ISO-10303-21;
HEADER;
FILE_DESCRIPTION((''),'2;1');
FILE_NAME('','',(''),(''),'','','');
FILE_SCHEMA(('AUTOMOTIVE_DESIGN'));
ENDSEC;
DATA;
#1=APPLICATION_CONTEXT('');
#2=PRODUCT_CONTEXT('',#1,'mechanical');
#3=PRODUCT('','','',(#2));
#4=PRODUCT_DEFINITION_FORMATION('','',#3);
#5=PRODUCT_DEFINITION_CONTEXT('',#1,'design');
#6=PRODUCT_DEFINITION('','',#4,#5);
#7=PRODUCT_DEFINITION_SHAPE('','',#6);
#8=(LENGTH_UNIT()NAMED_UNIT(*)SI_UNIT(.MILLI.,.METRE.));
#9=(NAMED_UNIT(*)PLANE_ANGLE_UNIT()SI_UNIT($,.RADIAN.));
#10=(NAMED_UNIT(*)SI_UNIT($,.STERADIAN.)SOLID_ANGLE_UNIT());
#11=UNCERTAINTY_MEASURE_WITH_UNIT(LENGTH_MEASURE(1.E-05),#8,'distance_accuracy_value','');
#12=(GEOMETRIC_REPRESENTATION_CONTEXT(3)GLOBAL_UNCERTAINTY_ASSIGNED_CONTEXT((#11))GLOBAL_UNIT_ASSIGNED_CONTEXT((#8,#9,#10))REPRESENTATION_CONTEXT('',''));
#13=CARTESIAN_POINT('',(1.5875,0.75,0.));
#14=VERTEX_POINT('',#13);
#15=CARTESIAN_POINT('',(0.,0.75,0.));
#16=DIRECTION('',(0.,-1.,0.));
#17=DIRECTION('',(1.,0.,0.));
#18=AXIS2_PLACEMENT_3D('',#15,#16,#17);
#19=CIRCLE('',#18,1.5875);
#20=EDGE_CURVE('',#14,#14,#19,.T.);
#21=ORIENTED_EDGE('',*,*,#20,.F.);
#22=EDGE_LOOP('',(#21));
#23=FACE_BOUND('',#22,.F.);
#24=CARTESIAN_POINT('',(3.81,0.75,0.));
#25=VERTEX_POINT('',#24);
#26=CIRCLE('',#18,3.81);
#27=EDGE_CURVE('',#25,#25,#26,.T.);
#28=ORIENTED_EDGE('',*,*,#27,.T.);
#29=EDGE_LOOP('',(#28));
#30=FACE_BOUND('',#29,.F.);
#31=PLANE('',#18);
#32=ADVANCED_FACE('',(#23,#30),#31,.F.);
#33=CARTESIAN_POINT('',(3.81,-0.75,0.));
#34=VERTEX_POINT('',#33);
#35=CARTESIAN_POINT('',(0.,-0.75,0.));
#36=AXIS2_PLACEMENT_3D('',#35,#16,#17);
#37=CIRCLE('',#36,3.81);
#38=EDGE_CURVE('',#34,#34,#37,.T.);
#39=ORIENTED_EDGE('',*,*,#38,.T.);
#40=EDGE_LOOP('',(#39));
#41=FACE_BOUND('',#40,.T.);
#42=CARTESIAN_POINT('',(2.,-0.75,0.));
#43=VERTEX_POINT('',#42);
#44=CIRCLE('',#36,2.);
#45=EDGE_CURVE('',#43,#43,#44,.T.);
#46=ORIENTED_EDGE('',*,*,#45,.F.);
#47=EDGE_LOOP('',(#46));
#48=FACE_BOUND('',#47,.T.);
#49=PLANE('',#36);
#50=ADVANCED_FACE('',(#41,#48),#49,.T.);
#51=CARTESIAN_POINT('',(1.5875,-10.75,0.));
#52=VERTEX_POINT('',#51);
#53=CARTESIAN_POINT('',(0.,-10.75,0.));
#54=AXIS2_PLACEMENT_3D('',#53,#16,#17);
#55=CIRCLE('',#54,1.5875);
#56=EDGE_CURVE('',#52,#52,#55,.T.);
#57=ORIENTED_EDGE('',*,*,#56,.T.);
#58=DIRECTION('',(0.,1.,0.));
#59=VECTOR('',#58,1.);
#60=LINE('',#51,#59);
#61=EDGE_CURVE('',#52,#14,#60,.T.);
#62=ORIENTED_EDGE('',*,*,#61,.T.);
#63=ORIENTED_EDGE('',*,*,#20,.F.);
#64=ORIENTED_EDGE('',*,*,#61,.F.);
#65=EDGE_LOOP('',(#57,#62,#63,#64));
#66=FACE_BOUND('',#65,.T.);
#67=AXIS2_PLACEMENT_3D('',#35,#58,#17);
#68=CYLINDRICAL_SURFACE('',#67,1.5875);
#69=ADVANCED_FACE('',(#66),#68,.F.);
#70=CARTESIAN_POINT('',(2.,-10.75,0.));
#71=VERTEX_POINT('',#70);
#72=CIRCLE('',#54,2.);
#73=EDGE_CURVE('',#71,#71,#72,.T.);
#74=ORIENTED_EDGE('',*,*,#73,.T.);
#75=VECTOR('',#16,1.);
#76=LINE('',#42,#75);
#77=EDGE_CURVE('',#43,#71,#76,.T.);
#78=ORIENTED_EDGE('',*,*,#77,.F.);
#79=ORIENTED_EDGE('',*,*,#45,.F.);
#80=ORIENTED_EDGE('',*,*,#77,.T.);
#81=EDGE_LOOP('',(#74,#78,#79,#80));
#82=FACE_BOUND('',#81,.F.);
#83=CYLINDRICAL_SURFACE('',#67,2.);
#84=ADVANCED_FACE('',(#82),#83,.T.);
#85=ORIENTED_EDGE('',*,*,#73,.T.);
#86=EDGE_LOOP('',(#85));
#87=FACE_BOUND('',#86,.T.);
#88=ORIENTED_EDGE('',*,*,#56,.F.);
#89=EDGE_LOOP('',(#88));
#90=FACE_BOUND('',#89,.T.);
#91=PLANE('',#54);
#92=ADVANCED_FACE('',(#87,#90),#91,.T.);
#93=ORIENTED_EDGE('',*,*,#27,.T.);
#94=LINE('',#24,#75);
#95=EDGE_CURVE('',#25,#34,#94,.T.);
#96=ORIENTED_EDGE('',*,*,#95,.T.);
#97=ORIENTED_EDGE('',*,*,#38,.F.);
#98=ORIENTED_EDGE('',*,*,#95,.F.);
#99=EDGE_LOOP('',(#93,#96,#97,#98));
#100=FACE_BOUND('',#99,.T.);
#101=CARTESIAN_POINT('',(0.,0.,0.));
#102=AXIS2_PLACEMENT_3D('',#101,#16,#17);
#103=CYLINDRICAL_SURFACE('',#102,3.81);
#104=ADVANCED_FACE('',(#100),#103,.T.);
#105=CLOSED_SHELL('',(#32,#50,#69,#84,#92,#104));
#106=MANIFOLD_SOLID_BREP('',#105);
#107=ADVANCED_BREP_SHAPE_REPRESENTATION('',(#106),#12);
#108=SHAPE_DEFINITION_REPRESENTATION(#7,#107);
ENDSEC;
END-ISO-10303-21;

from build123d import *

# Parameters (mm, degrees)
F0_R     = 3.81
F0_R_2   = 1.5875
F1_DEPTH = 0.75
F2_R     = 2
F2_R_2   = 1.5875
F3_DEPTH = 10


with BuildPart() as f1:
    # F0 (on Front) → F1 (new body, symmetric)
    with BuildSketch(Plane.XZ):
        Circle(F0_R)
        Circle(F0_R_2, mode=Mode.SUBTRACT)
    extrude(amount=F1_DEPTH, both=True)

    # F2 (on face) → F3 (join)
    with BuildSketch(Plane.XZ.offset(0.75)):
        Circle(F2_R)
        Circle(F2_R_2, mode=Mode.SUBTRACT)
    extrude(amount=F3_DEPTH)


solid = f1.part
